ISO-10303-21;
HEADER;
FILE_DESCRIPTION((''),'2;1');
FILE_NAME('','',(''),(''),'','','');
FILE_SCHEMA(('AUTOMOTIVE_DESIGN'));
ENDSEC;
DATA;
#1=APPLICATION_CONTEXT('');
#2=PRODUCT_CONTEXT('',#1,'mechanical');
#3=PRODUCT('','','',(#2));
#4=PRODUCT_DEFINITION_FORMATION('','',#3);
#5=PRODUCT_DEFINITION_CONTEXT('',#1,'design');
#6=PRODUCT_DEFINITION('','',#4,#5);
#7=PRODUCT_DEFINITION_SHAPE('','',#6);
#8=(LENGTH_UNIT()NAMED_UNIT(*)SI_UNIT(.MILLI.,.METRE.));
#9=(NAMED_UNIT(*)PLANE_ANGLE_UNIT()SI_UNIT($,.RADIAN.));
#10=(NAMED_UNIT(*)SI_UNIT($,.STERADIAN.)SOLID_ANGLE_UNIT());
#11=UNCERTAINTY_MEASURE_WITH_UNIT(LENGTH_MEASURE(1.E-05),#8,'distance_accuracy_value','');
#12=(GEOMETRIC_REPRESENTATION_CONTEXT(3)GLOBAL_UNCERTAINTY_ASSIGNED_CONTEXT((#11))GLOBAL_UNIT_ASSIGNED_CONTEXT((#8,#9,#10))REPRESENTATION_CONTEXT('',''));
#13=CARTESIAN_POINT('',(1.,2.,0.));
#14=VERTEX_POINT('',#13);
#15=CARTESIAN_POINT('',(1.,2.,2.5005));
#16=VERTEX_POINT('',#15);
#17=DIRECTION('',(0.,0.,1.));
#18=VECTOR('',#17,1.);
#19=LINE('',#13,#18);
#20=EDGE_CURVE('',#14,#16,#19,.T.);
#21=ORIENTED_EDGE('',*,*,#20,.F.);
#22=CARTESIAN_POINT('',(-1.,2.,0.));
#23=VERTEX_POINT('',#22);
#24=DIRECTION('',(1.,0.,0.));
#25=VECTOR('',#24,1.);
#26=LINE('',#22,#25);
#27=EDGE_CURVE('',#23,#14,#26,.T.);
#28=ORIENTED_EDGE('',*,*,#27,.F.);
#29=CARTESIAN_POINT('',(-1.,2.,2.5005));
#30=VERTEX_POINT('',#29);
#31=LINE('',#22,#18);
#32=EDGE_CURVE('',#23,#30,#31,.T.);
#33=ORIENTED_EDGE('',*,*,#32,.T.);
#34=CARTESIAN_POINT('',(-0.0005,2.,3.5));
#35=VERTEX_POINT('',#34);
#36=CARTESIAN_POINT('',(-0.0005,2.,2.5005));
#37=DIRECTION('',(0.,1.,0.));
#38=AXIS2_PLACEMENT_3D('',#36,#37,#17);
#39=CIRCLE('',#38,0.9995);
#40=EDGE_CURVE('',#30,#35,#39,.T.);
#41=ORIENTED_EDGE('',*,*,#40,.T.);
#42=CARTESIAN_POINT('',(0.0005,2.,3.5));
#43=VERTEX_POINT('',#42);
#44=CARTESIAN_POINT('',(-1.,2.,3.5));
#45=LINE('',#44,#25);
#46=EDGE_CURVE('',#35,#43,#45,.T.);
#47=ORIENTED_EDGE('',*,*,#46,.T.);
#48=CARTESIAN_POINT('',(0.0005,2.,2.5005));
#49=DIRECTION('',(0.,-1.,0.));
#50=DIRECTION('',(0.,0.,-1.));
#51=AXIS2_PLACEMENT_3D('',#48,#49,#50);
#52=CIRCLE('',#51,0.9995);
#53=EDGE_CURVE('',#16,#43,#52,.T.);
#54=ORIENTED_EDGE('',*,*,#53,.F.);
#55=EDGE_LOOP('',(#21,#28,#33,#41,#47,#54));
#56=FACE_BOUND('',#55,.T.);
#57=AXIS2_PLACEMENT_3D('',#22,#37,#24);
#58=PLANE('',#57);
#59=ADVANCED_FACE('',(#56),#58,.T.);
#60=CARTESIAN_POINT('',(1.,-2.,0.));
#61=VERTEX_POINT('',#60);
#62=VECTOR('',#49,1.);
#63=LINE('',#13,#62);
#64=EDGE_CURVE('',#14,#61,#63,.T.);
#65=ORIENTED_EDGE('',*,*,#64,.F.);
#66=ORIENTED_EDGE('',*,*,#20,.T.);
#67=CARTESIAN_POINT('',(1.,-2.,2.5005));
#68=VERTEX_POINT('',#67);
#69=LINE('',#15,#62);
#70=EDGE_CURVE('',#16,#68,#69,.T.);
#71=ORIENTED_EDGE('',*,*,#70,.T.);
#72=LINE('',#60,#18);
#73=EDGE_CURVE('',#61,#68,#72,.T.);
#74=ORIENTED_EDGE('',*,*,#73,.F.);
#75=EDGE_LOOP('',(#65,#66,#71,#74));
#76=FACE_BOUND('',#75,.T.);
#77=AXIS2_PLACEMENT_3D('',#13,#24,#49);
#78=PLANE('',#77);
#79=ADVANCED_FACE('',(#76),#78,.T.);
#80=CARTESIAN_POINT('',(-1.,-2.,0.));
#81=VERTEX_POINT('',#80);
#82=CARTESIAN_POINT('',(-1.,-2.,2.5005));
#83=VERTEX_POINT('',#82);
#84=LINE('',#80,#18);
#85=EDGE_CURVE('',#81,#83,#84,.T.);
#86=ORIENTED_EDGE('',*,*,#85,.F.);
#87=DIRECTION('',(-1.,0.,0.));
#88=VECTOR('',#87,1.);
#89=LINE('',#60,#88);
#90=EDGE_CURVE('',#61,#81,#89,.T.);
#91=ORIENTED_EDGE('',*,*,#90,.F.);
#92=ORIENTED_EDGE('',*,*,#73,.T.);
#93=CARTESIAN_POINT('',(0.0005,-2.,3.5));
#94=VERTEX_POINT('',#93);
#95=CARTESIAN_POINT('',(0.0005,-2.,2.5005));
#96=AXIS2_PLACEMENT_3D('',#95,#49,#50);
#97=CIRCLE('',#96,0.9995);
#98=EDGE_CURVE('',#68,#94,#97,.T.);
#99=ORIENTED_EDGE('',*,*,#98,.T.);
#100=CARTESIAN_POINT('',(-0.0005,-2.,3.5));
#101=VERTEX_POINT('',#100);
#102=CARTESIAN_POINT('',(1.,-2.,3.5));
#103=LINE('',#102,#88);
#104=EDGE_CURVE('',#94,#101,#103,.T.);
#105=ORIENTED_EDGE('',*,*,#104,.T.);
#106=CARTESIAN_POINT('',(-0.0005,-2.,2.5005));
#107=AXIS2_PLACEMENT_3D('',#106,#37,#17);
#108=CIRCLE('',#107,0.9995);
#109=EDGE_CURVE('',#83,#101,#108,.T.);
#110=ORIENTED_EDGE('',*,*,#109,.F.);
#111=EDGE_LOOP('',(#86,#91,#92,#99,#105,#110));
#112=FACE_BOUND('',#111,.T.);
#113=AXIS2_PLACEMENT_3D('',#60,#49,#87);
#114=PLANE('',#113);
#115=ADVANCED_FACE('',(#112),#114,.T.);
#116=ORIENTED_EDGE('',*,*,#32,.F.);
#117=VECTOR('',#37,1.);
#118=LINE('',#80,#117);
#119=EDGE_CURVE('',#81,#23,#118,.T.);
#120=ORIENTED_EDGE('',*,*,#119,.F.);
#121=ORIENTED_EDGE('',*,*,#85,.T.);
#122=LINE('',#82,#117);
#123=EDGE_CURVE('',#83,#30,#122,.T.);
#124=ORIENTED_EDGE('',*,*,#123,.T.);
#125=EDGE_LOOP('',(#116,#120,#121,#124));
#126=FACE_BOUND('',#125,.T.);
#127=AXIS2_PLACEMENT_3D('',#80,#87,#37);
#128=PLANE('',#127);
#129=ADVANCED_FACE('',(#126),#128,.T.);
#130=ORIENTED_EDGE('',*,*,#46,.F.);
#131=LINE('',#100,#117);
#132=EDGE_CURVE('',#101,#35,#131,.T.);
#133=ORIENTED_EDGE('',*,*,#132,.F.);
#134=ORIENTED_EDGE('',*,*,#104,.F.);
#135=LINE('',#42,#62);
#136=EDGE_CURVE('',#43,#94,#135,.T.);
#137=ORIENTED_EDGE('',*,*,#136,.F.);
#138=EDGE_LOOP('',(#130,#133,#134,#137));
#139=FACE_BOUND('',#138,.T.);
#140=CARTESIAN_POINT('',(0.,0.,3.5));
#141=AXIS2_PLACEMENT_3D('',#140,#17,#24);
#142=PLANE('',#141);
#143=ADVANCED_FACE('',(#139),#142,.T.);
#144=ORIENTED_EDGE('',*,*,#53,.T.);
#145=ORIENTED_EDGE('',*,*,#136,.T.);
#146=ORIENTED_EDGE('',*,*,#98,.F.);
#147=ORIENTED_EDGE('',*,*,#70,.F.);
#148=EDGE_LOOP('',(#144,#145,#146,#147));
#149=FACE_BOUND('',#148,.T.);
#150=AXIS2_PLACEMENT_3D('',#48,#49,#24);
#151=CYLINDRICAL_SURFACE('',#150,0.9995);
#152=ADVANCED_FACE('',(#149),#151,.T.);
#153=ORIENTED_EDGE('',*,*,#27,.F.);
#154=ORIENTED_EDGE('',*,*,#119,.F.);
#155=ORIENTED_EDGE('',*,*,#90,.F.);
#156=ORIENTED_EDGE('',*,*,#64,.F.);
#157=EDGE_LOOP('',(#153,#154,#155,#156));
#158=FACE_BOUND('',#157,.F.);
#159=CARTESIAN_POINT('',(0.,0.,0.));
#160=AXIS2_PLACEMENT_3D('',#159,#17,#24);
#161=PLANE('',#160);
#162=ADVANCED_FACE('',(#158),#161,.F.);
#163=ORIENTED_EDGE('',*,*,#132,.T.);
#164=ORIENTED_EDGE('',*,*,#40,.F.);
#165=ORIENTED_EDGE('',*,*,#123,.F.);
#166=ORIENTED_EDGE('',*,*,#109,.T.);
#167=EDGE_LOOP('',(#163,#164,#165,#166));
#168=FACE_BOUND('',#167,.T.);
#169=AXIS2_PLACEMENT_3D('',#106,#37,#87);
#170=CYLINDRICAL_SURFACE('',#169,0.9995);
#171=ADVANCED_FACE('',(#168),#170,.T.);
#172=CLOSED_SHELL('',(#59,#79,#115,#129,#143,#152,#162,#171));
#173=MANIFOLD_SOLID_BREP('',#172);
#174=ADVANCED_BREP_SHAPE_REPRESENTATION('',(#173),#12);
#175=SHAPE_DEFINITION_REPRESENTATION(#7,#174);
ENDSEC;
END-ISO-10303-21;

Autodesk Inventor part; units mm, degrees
ref_plane "YZ Plane" through (0, 0, 0) normal (1, 0, 0) x (0, 1, 0)
ref_plane "XZ Plane" through (0, 0, 0) normal (0, 1, 0) x (-1, 0, 0)
ref_plane "XY Plane" through (0, 0, 0) normal (0, 0, 1) x (1, 0, 0)
sketch "Sketch2" plane through (0, 0, 0) normal (0, 0, 1) x (1, 0, 0)
  line L0 (-1, 2) -> (1, 2)
  line L1 (1, 2) -> (1, -2)
  line L2 (1, -2) -> (-1, -2)
  line L3 (-1, -2) -> (-1, 2)
  point P0 (0, 0)
  dimension "d2" = 4
  dimension "d3" = 2
  dimension "d4" = 1
  dimension "d5" = 2
extrude "Extrusion1" add sketch "Sketch2" along normal blind 3.5
fillet "Fillet1" radius 1 2 edges at (1, 0, 3.5) (-1, 0, 3.5)
equation "\"d4\" = 0.5 * d3"
equation "\"d5\" = 0.5 * d2"
properties part number "MSW-13-17_button#" material "PC_ABS Plastic"
